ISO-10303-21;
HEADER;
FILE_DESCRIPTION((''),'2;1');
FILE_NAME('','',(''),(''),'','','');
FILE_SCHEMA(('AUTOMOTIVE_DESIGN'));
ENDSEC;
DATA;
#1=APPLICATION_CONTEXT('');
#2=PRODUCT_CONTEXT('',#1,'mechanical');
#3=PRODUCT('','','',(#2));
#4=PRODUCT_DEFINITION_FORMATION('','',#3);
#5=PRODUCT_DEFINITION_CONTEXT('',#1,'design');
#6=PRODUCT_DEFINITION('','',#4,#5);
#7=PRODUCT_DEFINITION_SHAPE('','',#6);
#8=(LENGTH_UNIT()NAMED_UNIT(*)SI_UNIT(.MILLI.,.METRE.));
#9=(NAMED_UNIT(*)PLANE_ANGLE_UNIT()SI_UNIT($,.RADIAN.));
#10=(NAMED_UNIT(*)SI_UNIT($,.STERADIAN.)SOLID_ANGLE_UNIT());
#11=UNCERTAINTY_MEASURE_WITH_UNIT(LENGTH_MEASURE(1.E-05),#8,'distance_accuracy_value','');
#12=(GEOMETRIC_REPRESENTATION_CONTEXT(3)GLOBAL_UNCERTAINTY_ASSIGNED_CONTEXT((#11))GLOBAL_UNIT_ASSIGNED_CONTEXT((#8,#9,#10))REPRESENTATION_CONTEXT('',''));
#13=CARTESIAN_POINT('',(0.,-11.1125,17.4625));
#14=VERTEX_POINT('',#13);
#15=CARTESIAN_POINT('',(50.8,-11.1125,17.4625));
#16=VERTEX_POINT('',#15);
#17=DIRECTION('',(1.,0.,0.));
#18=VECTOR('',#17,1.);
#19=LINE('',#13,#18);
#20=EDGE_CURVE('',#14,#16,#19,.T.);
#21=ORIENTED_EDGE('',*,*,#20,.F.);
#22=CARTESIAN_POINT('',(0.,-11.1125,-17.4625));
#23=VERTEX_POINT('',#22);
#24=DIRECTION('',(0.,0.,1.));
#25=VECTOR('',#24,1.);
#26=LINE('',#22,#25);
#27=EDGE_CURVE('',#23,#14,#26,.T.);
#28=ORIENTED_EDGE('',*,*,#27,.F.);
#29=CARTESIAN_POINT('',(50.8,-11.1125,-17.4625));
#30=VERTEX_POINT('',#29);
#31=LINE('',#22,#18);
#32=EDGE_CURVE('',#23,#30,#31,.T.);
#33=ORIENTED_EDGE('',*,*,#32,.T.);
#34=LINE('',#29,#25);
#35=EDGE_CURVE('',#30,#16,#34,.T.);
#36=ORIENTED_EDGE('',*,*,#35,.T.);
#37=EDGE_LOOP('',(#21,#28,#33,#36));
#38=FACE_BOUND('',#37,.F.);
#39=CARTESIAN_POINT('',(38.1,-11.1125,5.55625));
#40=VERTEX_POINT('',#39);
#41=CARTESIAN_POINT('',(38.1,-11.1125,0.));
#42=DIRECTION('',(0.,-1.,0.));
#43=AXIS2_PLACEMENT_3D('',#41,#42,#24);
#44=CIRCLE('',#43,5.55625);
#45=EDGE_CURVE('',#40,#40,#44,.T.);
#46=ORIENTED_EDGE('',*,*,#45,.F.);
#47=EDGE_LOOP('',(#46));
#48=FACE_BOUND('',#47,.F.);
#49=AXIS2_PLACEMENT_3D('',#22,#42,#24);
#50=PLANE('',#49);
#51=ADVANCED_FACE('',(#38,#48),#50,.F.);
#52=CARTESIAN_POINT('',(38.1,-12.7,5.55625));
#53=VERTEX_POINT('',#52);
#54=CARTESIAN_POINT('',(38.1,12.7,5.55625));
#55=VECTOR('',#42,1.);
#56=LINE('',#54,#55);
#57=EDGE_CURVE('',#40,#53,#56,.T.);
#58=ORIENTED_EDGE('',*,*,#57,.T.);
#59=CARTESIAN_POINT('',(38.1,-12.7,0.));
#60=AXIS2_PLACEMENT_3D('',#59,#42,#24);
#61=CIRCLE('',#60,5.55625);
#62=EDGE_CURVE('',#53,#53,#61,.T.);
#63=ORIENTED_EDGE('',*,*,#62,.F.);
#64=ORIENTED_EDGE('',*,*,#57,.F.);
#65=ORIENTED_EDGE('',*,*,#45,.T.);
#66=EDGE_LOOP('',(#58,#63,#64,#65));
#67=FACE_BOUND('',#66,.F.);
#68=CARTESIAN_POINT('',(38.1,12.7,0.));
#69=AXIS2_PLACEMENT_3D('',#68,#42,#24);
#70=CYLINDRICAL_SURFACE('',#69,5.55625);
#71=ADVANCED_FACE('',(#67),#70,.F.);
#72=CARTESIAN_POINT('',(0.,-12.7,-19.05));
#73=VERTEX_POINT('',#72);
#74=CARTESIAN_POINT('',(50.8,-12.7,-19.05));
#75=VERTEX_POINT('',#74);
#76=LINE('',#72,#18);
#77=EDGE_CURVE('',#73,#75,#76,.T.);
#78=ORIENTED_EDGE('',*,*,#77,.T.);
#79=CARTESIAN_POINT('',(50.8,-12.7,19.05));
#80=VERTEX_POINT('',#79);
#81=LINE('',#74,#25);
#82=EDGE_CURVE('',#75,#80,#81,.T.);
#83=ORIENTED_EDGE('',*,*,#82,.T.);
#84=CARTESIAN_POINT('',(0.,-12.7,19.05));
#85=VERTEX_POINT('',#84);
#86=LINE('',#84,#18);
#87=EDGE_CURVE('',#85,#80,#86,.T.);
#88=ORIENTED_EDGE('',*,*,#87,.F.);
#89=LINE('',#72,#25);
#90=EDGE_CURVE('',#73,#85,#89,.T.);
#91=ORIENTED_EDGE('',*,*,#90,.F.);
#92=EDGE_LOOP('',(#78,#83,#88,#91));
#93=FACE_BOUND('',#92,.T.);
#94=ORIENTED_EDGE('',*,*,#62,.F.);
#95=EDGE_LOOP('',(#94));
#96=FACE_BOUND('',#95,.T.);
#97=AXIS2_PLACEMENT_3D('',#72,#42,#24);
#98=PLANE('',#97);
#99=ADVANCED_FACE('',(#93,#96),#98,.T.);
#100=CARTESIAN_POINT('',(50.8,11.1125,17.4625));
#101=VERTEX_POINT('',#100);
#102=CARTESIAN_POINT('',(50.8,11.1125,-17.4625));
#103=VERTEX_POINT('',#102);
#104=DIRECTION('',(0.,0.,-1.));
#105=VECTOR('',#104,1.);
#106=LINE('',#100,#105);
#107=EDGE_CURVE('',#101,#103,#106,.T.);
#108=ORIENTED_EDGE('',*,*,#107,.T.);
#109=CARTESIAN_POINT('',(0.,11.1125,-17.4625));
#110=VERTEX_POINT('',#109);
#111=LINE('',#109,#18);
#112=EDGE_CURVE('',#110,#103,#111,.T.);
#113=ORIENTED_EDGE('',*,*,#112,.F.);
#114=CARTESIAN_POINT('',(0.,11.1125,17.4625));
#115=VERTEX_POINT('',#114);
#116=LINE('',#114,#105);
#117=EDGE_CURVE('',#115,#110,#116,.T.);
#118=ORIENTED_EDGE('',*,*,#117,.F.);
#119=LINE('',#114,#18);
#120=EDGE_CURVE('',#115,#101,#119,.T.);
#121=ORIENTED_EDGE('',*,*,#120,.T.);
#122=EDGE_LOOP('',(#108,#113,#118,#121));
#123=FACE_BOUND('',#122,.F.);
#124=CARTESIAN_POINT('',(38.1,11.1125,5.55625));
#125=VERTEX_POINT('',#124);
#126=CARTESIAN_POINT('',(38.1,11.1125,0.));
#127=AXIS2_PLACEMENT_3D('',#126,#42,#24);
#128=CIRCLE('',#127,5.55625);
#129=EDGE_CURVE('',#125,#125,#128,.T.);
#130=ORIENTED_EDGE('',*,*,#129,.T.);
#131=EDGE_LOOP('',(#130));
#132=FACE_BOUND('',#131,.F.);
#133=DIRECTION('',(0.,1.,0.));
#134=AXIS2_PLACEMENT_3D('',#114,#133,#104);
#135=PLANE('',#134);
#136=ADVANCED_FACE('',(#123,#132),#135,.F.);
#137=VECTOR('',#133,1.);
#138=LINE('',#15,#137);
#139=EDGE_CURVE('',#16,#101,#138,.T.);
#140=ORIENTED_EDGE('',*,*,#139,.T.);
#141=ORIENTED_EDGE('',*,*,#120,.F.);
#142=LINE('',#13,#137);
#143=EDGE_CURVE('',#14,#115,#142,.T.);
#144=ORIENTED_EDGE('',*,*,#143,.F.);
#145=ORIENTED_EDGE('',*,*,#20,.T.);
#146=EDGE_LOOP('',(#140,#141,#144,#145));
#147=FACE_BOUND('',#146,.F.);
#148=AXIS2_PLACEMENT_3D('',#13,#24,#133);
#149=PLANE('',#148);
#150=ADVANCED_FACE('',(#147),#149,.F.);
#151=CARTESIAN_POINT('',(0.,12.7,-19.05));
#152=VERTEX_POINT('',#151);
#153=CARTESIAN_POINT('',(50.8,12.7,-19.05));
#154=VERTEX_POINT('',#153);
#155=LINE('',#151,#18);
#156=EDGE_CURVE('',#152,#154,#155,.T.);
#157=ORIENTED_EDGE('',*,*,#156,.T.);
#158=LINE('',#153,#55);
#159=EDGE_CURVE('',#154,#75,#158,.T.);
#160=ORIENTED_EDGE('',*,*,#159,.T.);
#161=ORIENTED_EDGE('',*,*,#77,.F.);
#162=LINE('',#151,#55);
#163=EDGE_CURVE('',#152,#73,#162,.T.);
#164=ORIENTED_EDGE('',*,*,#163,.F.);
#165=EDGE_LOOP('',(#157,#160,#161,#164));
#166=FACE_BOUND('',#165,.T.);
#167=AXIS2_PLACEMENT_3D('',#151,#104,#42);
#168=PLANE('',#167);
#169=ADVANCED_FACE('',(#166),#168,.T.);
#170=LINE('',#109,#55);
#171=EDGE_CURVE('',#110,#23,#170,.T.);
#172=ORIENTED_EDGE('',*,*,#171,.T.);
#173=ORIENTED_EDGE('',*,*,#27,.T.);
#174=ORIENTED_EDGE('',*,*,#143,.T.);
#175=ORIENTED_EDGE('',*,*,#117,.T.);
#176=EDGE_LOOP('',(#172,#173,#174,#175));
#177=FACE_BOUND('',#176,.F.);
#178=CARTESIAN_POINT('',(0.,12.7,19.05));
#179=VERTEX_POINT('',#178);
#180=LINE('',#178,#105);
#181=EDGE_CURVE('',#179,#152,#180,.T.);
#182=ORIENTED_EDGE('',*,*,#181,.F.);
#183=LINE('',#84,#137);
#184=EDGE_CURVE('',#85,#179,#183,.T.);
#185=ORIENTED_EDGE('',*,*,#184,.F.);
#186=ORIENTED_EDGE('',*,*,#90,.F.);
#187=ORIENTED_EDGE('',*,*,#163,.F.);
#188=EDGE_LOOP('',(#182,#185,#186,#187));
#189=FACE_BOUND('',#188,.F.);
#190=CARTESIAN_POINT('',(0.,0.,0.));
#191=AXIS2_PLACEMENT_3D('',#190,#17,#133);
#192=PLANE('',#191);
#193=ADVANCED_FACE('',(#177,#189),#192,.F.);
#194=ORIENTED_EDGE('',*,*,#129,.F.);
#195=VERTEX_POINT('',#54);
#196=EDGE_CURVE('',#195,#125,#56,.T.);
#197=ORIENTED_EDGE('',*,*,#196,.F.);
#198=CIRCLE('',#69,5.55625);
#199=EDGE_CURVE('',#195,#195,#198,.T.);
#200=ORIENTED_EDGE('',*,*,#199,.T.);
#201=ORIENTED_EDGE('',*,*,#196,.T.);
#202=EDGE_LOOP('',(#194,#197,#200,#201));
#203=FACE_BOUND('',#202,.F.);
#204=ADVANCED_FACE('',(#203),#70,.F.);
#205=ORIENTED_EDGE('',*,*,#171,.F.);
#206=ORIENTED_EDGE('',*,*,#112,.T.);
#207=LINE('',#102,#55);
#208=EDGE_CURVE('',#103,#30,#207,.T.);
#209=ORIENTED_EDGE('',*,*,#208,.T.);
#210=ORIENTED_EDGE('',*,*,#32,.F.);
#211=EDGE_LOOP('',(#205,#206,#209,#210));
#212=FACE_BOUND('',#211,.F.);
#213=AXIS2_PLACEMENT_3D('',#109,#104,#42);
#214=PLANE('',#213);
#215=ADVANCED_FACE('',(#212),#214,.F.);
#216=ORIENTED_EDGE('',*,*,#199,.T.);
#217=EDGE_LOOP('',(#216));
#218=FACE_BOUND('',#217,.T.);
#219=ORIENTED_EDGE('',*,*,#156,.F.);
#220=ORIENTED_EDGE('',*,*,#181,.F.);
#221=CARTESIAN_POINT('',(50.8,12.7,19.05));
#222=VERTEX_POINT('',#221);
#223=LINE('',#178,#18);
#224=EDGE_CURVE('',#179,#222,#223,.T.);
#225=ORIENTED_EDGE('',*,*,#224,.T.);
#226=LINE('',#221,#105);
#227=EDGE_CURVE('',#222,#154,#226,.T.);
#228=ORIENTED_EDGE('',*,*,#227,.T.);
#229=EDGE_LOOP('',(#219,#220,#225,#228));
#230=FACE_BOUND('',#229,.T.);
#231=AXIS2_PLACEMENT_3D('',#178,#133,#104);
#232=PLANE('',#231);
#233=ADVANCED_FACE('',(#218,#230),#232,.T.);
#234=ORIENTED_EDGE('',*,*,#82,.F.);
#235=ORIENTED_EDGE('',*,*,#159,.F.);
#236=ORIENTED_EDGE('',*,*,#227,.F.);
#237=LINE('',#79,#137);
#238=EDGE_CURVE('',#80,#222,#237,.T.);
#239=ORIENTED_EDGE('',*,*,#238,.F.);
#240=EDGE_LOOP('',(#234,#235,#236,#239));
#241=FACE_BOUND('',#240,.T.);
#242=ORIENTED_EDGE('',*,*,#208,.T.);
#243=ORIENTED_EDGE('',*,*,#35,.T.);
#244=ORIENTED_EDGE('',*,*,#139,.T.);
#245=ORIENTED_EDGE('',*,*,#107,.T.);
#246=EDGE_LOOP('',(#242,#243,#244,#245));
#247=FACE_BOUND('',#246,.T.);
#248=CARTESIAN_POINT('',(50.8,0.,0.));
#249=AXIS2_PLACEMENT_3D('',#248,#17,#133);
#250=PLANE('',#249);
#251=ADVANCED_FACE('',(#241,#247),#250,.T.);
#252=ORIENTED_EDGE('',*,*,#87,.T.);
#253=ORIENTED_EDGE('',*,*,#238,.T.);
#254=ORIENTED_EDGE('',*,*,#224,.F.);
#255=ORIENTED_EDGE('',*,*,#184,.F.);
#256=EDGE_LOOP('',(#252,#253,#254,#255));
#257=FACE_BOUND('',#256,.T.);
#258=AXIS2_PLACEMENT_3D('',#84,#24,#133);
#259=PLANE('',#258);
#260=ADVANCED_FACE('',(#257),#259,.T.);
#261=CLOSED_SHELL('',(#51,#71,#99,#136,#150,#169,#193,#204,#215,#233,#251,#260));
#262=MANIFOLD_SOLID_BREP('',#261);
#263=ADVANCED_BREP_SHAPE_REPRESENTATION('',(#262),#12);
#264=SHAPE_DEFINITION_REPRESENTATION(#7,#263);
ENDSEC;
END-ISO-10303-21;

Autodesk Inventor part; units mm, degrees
ref_plane "Work Plane3" through (0, 12.7, 0) normal (0, 1, 0) x (-1, 0, 0)
ref_plane "Start Plane" through (0, 0, 0) normal (1, 0, 0) x (0, 1, 0)
ref_plane "End Plane" through (50.8, 0, 0) normal (1, 0, 0) x (0, 1, 0)
sketch "Sketch" plane through (0, 0, 0) normal (1, 0, 0) x (0, 1, 0)
  line L0 (-12.7, 19.05) -> (12.7, 19.05)
  line L1 (12.7, 19.05) -> (12.7, -19.05)
  line L2 (12.7, -19.05) -> (-12.7, -19.05)
  line L3 (-12.7, -19.05) -> (-12.7, 19.05)
  line L4 (-12.7, 19.05) -> (12.7, -19.05) construction
  line L5 (12.7, 19.05) -> (-12.7, -19.05) construction
  line L6 (-11.1125, 17.4625) -> (11.1125, 17.4625)
  line L7 (11.1125, 17.4625) -> (11.1125, -17.4625)
  line L8 (11.1125, -17.4625) -> (-11.1125, -17.4625)
  line L9 (-11.1125, -17.4625) -> (-11.1125, 17.4625)
  line L10 (-11.1125, 17.4625) -> (11.1125, -17.4625) construction
  line L11 (11.1125, 17.4625) -> (-11.1125, -17.4625) construction
  point P0 (0, 0)
  dimension "d0" = 38.1
  dimension "d1" = 25.4
  dimension "d2" = 1.5875
  dimension "d3" = 1.5875
extrude "Body" add sketch "Sketch" along normal up to surface (50.8 mm away) from surface at 0
sketch "Sketch8" plane through (0, 0, 0) normal (1, 0, 0) x (0, 1, 0)
  line L0 (0, 0) -> (10, 0)
ref_plane "Work Plane6" through (0, 0, 0) normal (0, 0, -1) x (0, 1, 0)
sketch "Sketch9" plane through (0, 0, 0) normal (0, 0, -1) x (0, 1, 0)
  line L0 (-17.78, 0) -> (17.78, 0)
  line L1 (-17.78, 50.8) -> (17.78, 50.8)
  dimension "d21" = 50.8
sketch "Sketch5" plane through (0, 12.7, -19.05) normal (0, 1, 0) x (1, 0, 0)
  line L0 (0, -38.1) -> (0, 0) projected
  point P0 (0, -19.05)
  point P1 (38.1, -19.05)
  dimension "d22" = 38.1
hole "Hole2" at (38.1, 12.7, 0) direction (0, -1, 0) diameter 11.1125 end through all
equation "\"d3\" = d2"
equation "\"G_OFFSET_START\" = 0"
equation "\"G_OFFSET_END\" = 0"
equation "\"d17\" = d4 + G_OFFSET_END"
equation "\"G_L\" = d21"
equation "\"d4\" = 50.8"
properties part number "1605036369021"
